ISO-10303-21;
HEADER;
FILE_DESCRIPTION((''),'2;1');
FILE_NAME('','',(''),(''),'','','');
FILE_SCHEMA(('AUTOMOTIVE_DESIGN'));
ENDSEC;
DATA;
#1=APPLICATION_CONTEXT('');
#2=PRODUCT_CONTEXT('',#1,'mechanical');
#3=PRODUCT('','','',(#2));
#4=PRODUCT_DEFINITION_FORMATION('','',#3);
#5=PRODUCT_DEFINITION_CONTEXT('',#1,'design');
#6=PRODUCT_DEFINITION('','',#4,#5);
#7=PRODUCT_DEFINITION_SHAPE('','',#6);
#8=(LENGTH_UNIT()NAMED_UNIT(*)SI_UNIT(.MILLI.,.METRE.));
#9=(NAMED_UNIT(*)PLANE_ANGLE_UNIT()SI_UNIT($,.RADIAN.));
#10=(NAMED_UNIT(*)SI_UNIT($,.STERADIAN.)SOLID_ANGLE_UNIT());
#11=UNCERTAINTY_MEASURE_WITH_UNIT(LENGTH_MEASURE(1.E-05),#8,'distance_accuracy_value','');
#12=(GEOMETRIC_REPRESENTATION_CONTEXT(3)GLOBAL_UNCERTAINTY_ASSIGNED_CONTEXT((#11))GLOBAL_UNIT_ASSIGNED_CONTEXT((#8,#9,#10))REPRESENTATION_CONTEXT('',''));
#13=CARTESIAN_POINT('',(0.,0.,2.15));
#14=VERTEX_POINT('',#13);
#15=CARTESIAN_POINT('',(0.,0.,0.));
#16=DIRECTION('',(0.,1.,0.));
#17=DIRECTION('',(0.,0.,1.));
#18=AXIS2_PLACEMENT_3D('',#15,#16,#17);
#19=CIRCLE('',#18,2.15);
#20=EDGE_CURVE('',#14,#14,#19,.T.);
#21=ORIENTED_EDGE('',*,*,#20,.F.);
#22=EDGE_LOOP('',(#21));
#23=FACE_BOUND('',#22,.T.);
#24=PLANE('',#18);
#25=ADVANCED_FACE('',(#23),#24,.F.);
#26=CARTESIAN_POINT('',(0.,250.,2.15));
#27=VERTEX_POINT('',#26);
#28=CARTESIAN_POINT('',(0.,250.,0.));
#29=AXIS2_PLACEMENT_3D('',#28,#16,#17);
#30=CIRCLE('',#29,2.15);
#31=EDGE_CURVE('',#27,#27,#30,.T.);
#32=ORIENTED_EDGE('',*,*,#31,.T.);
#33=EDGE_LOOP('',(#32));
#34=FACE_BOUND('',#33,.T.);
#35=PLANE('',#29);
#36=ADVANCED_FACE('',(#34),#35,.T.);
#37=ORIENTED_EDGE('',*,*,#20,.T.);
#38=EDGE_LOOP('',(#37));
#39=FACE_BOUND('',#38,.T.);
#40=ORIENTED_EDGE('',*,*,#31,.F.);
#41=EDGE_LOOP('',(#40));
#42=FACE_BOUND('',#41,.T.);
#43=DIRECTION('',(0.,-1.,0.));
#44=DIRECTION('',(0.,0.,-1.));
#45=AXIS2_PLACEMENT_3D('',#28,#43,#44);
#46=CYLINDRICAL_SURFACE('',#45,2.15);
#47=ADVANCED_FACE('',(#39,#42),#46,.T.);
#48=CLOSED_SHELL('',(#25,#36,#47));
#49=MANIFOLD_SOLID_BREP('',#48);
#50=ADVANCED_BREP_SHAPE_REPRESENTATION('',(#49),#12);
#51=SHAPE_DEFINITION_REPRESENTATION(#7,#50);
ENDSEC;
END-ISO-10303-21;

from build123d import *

# Parameters (mm, degrees)
SKETCH1_R           = 2.15
BOSS_EXTRUDE1_DEPTH = 250


with BuildPart() as part:
    # Sketch1 → Boss-Extrude1 (new body)
    with BuildSketch(Plane(origin=(0, 0, 0), x_dir=(1, 0, 0), z_dir=(0, 1, 0))):
        with Locations(Location((0, 0, 0), (0, 0, 270))):
            Circle(SKETCH1_R)
    extrude(amount=BOSS_EXTRUDE1_DEPTH)


solid = part.part
